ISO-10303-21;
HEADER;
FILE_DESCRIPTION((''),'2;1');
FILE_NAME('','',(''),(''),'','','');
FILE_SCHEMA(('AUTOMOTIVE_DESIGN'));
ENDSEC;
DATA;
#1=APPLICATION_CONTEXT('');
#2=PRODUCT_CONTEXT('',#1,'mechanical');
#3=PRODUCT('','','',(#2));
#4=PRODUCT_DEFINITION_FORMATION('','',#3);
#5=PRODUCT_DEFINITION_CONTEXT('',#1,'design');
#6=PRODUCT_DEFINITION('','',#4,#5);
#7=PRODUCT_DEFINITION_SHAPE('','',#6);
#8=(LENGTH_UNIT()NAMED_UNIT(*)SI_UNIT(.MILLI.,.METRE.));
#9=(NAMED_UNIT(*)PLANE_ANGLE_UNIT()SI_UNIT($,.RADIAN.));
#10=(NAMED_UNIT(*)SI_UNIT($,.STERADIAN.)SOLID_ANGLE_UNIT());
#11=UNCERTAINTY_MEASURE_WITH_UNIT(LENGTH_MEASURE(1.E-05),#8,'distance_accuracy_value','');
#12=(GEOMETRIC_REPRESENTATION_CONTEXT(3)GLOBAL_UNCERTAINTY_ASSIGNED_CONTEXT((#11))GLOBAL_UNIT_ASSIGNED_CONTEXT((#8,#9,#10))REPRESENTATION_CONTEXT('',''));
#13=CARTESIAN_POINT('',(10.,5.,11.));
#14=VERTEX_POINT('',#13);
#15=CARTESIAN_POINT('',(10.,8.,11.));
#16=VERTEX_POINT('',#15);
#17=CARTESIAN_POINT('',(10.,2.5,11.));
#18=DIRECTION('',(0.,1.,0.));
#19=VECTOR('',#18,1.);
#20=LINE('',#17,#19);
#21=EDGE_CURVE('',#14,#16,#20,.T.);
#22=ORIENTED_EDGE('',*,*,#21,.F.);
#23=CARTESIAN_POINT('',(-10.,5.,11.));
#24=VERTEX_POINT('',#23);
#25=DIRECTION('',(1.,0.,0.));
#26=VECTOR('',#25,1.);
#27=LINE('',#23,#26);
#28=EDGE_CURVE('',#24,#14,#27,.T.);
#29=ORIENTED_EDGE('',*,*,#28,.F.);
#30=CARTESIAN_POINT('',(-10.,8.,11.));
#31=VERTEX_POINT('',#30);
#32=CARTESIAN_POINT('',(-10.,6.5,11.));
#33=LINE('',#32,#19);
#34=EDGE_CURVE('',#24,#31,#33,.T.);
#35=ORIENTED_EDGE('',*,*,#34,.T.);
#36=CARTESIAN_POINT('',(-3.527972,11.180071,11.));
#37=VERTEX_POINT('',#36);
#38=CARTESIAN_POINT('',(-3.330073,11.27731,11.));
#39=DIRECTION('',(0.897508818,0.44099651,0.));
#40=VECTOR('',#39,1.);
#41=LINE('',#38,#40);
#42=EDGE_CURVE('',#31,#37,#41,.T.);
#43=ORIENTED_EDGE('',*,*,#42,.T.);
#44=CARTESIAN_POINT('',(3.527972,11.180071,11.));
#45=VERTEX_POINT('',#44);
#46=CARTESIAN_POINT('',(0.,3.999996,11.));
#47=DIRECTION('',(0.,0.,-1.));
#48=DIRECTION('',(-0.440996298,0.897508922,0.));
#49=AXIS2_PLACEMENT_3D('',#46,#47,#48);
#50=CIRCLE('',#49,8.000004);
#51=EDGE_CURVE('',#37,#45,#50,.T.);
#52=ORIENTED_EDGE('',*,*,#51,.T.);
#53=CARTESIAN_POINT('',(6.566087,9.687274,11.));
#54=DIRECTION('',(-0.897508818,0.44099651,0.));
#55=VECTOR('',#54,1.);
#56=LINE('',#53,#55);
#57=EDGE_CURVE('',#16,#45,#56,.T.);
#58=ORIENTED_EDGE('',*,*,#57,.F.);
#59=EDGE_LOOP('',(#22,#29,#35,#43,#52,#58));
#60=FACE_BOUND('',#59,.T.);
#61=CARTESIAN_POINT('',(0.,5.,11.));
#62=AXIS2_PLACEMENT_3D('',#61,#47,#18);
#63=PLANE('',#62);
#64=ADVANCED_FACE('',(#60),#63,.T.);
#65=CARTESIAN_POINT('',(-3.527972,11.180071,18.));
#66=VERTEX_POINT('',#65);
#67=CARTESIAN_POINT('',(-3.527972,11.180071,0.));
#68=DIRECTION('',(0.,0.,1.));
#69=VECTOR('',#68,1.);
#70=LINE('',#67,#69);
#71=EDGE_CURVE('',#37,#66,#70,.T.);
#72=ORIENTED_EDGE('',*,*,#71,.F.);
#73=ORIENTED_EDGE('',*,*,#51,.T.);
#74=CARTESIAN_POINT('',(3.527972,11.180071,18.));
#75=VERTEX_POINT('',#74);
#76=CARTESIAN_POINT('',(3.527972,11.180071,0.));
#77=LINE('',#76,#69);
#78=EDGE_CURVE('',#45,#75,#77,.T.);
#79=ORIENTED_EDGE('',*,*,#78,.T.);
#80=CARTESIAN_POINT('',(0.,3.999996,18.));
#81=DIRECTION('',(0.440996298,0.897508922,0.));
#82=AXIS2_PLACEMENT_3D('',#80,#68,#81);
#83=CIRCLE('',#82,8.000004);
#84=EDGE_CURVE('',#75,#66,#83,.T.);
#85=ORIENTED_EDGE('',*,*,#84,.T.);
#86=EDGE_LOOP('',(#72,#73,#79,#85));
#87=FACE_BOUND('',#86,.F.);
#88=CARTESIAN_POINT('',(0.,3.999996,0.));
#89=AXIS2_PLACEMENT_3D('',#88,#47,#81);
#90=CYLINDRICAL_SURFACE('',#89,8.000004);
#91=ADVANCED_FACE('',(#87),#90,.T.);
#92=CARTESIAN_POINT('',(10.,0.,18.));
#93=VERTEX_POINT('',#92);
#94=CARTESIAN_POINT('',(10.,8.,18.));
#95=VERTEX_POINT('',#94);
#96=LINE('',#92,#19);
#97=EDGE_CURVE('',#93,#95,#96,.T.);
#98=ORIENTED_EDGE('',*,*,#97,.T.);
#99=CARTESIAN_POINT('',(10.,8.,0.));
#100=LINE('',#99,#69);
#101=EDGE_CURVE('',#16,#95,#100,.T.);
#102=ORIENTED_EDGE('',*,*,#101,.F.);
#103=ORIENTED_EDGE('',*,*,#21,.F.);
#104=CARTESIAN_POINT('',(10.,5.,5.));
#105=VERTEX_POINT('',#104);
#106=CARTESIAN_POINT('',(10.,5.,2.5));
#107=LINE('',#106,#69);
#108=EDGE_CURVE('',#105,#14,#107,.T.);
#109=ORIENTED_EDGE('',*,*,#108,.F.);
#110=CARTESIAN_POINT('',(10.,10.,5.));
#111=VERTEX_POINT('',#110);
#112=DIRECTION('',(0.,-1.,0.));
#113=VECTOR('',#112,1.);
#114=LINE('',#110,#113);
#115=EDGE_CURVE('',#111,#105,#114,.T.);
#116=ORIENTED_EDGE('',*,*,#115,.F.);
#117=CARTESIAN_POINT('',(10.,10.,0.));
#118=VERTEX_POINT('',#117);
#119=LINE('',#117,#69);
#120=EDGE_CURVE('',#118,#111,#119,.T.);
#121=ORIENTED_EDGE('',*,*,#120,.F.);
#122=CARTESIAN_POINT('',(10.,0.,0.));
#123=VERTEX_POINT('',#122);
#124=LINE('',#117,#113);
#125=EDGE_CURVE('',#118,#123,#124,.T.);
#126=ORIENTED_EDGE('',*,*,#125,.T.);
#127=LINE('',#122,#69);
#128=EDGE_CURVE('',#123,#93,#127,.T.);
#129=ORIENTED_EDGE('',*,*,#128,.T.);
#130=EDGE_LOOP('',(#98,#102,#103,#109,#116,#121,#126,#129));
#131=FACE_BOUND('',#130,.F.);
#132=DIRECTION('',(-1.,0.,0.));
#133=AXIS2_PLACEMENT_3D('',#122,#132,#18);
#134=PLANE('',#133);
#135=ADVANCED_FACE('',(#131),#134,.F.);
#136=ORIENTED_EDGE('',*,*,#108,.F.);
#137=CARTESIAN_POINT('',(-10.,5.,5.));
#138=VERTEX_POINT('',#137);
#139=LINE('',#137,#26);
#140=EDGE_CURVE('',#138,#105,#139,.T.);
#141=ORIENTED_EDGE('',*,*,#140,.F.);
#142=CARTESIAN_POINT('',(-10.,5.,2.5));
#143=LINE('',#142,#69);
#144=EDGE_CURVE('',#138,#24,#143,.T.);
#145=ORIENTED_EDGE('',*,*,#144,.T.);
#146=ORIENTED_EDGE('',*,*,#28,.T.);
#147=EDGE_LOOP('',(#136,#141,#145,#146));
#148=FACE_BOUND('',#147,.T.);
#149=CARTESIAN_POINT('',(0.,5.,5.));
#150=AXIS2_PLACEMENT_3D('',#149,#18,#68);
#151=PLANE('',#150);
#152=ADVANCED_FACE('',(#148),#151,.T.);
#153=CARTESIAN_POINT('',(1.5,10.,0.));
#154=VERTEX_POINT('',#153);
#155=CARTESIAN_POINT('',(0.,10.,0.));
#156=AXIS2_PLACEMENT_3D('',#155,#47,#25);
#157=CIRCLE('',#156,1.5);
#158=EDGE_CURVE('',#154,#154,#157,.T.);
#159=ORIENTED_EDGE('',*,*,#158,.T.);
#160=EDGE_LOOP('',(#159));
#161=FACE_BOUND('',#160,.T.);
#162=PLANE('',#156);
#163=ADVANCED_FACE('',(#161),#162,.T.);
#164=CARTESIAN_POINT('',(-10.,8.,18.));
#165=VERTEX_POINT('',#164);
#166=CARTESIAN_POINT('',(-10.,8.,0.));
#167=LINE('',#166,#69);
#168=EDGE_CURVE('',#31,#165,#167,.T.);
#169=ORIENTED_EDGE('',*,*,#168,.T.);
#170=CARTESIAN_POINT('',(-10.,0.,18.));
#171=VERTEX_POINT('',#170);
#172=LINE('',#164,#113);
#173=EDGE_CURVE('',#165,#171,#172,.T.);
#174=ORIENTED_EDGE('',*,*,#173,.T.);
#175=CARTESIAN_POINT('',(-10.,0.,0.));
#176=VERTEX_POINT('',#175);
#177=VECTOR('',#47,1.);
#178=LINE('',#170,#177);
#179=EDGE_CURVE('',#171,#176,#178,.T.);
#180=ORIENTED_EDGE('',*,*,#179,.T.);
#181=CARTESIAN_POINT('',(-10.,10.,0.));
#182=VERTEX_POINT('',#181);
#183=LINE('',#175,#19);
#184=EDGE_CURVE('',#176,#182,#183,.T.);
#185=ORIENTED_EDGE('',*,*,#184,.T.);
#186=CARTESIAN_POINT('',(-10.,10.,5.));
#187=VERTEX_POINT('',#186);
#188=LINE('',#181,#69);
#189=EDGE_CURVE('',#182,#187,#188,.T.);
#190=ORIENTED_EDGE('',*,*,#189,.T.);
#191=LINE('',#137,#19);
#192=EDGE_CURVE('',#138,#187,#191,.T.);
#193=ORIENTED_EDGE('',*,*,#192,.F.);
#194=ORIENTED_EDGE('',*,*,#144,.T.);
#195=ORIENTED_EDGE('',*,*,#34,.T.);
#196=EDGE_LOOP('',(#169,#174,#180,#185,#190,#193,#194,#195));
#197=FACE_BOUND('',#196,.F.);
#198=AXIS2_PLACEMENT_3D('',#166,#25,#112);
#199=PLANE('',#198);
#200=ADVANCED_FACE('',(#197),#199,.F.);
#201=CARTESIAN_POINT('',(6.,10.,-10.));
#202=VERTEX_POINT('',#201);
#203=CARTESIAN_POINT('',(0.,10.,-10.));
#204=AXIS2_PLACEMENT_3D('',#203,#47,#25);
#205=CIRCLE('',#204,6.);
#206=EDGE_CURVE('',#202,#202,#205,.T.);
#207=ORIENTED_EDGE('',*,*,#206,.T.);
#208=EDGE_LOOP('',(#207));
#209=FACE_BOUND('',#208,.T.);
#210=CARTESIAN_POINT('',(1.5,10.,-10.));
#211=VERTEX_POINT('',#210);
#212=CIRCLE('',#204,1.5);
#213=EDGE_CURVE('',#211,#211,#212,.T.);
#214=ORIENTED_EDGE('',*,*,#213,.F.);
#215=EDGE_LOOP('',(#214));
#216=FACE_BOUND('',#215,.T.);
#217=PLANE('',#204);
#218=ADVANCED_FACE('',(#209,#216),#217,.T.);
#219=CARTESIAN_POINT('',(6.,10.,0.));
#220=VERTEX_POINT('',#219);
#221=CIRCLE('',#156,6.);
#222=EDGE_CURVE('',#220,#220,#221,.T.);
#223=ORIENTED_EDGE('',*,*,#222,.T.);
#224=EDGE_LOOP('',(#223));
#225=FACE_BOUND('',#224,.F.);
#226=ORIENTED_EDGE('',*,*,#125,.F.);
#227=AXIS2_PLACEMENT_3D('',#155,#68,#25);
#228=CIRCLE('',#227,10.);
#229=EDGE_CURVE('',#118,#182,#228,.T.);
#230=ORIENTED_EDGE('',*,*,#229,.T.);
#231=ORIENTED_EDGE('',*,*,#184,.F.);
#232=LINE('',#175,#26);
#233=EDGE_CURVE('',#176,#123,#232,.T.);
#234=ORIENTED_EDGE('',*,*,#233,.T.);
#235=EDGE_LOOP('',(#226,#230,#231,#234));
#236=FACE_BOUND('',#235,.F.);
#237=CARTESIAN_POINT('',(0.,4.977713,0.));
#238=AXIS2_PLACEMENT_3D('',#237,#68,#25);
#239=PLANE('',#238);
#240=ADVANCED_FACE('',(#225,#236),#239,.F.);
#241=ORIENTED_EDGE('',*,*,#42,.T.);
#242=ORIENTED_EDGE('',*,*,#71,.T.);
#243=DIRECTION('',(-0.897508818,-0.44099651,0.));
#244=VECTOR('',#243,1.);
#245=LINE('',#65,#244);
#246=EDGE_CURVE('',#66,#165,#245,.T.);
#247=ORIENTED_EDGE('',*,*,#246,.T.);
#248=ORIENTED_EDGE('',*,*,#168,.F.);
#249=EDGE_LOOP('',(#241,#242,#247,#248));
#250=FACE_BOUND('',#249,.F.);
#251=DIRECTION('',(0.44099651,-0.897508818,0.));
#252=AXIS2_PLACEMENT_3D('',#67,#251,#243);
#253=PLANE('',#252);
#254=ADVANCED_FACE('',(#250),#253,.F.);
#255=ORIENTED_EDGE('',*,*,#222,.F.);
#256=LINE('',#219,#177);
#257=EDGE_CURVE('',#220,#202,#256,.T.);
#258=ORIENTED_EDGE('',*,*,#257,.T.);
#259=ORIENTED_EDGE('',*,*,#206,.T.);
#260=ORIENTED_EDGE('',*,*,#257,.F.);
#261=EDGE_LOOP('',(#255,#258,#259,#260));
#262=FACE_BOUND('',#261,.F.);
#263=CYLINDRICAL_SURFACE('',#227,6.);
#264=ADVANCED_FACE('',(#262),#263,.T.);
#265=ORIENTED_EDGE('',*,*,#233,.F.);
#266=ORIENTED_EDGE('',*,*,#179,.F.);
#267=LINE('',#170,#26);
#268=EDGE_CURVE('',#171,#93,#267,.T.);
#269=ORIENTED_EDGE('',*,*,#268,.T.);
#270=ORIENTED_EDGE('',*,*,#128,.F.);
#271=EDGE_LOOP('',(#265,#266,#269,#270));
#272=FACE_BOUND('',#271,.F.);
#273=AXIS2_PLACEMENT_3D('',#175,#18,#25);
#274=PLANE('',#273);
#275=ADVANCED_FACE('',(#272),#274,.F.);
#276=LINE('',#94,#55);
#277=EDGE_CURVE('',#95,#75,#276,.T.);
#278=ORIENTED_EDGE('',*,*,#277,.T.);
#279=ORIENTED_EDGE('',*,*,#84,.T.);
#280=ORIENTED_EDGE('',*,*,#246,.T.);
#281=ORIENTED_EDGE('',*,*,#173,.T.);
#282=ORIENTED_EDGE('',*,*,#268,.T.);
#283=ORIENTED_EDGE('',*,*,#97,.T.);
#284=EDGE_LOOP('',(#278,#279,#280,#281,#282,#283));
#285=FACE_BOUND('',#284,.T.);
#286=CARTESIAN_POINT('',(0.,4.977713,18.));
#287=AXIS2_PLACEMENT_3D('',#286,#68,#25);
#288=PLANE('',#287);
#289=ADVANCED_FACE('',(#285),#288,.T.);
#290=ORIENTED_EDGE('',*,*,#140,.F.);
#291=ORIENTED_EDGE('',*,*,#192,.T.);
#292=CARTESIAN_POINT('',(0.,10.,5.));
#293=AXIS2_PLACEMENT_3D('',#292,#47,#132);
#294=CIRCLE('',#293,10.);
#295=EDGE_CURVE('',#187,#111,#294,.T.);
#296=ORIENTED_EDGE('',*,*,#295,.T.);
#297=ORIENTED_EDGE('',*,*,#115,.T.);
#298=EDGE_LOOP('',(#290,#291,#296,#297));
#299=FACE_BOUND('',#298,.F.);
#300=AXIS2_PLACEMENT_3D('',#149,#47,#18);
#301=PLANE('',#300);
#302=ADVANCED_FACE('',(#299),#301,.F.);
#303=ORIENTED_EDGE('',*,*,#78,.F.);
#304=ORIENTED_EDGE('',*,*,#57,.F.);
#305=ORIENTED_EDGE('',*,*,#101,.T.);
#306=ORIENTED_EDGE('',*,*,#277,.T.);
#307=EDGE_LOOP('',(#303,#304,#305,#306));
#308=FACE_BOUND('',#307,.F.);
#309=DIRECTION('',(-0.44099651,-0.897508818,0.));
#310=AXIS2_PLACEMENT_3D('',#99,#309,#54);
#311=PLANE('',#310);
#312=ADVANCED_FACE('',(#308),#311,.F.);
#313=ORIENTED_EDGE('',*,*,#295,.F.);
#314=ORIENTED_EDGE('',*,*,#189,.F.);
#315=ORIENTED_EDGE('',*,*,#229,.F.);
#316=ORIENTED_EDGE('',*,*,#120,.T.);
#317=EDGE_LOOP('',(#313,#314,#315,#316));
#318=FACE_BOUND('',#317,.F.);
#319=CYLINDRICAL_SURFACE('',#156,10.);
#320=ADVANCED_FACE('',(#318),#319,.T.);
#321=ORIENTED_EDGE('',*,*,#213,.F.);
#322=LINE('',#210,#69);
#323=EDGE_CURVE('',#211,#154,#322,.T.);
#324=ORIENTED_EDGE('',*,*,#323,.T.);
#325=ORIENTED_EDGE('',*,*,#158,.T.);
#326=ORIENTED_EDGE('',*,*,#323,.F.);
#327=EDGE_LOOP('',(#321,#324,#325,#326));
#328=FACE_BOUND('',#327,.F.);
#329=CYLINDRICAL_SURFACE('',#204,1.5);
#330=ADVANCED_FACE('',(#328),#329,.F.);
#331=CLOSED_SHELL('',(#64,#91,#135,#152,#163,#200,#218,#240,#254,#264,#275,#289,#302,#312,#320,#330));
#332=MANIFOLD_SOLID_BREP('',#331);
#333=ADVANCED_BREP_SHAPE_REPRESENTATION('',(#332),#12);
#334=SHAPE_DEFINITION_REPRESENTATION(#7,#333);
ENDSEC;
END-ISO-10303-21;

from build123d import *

# Parameters (mm, degrees)
PAD_DEPTH         = 18
PAD001_DEPTH      = 5
SKETCH002_W       = 13.704409
SKETCH002_H       = 6
POCKET_DEPTH      = 10.001
POCKET_DEPTH_BACK = -10.001
SKETCH003_R       = 6
PAD002_DEPTH      = 10
SKETCH004_R       = 1.5
POCKET001_DEPTH   = 10


with BuildPart() as part:
    # Sketch → Pad (new body)
    with BuildSketch(Plane.XY):
        with BuildLine():
            Line((-10, 0), (10, 0))
            Line((10, 0), (10, 8))
            Line((10, 8), (3.527972, 11.180071))
            ThreePointArc((3.527972, 11.180071), (0, 12), (-3.527972, 11.180071))
            Line((-3.527972, 11.180071), (-10, 8))
            Line((-10, 8), (-10, 0))
        make_face()
    extrude(amount=PAD_DEPTH)

    # Sketch001 → Pad001 (join)
    with BuildSketch(Plane.XY):
        with BuildLine():
            Line((-10, 0), (10, 0))
            Line((10, 0), (10, 10))
            ThreePointArc((10, 10), (0, 20), (-10, 10))
            Line((-10, 10), (-10, 0))
        make_face()
    extrude(amount=PAD001_DEPTH)

    # Sketch002 → Pocket (cut, two sides)
    with BuildSketch(Plane.YZ) as pocket_sk:
        with Locations((11.852204, 8)):
            Rectangle(SKETCH002_W, SKETCH002_H)
    extrude(amount=-POCKET_DEPTH, mode=Mode.SUBTRACT)
    extrude(pocket_sk.sketch, amount=-POCKET_DEPTH_BACK, mode=Mode.SUBTRACT)

    # Sketch003 (on Face4 of Pocket) → Pad002 (join)
    with BuildSketch(Plane(origin=(0, 0, 0), x_dir=(1, 0, 0), z_dir=(0, 0, -1))):
        with Locations((0, -10)):
            Circle(SKETCH003_R)
    extrude(amount=PAD002_DEPTH)

    # Sketch004 (on Face14 of Pad002) → Pocket001 (cut)
    with BuildSketch(Plane(origin=(0, 0, -10), x_dir=(1, 0, 0), z_dir=(0, 0, -1))):
        with Locations((0, -10)):
            Circle(SKETCH004_R)
    extrude(amount=-POCKET001_DEPTH, mode=Mode.SUBTRACT)


solid = part.part
